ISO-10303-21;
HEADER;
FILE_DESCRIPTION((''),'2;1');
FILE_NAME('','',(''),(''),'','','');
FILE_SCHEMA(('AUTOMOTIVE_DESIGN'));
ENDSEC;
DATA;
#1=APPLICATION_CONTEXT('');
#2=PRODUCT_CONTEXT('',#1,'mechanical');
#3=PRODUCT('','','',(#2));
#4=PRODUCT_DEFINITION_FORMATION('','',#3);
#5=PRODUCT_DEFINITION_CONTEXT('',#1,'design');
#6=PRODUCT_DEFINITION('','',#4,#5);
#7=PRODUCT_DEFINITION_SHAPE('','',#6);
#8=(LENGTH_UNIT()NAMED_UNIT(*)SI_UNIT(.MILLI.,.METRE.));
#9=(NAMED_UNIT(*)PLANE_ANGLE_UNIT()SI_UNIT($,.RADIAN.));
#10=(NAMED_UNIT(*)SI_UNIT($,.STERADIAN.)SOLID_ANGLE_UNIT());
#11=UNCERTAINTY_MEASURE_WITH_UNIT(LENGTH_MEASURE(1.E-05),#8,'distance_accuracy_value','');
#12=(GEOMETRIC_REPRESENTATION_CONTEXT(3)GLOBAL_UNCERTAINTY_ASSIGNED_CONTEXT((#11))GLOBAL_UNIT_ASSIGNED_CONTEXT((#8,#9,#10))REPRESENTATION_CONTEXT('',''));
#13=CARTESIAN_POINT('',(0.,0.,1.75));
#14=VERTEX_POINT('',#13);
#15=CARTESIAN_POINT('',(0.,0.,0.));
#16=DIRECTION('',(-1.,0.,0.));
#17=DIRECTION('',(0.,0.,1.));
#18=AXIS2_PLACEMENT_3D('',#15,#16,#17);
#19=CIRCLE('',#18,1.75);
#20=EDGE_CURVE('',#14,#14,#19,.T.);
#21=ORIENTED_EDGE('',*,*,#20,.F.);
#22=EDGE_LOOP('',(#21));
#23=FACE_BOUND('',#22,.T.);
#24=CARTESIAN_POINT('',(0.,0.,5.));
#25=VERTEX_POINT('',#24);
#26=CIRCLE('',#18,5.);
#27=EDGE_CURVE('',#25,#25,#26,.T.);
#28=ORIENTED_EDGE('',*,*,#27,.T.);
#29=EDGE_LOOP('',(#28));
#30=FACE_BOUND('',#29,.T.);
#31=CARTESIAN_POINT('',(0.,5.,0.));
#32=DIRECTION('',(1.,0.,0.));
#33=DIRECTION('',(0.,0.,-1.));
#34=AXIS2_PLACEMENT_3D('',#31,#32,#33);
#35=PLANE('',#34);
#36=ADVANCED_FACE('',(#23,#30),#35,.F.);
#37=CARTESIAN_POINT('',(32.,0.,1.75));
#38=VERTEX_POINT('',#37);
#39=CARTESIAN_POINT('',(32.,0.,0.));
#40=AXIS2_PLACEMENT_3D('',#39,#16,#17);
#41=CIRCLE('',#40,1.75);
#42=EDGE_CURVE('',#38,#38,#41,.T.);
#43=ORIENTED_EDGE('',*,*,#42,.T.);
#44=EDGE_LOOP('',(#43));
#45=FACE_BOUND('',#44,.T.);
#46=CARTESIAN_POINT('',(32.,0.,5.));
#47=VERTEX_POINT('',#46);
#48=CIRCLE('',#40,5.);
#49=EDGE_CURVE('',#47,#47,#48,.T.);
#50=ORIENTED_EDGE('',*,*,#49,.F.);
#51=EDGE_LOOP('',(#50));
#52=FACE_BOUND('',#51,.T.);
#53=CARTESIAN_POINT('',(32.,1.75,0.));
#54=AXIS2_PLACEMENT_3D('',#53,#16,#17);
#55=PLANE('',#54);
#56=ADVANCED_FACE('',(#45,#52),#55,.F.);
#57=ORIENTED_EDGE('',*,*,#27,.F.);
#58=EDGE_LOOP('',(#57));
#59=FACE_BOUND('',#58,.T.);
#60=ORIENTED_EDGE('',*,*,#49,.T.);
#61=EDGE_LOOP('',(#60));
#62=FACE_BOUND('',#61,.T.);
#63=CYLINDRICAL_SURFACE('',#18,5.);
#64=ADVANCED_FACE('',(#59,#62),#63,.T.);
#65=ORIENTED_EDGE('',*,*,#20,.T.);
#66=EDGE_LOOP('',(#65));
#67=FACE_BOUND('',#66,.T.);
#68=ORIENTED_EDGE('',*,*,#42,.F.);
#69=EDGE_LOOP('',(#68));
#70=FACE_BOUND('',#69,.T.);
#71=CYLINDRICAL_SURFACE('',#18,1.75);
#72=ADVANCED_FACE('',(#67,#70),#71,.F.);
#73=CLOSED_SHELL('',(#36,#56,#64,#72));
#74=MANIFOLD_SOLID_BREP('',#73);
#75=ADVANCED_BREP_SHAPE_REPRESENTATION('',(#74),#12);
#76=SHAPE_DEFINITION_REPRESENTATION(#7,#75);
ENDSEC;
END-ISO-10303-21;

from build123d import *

# Parameters (mm, degrees)
SCHIZZO1_W = 32
SCHIZZO1_H = 3.25


with BuildPart() as part:
    # Schizzo1 → Rivoluzione1 (revolve)
    with BuildSketch(Plane.XY, mode=Mode.PRIVATE) as rivoluzione1_sk:
        with Locations((16, 3.375)):
            Rectangle(SCHIZZO1_W, SCHIZZO1_H)
    revolve(rivoluzione1_sk.sketch.rotate(Axis((0, 0, 0), (1, 0, 0)), 90), axis=Axis((0, 0, 0), (1, 0, 0)))


solid = part.part
